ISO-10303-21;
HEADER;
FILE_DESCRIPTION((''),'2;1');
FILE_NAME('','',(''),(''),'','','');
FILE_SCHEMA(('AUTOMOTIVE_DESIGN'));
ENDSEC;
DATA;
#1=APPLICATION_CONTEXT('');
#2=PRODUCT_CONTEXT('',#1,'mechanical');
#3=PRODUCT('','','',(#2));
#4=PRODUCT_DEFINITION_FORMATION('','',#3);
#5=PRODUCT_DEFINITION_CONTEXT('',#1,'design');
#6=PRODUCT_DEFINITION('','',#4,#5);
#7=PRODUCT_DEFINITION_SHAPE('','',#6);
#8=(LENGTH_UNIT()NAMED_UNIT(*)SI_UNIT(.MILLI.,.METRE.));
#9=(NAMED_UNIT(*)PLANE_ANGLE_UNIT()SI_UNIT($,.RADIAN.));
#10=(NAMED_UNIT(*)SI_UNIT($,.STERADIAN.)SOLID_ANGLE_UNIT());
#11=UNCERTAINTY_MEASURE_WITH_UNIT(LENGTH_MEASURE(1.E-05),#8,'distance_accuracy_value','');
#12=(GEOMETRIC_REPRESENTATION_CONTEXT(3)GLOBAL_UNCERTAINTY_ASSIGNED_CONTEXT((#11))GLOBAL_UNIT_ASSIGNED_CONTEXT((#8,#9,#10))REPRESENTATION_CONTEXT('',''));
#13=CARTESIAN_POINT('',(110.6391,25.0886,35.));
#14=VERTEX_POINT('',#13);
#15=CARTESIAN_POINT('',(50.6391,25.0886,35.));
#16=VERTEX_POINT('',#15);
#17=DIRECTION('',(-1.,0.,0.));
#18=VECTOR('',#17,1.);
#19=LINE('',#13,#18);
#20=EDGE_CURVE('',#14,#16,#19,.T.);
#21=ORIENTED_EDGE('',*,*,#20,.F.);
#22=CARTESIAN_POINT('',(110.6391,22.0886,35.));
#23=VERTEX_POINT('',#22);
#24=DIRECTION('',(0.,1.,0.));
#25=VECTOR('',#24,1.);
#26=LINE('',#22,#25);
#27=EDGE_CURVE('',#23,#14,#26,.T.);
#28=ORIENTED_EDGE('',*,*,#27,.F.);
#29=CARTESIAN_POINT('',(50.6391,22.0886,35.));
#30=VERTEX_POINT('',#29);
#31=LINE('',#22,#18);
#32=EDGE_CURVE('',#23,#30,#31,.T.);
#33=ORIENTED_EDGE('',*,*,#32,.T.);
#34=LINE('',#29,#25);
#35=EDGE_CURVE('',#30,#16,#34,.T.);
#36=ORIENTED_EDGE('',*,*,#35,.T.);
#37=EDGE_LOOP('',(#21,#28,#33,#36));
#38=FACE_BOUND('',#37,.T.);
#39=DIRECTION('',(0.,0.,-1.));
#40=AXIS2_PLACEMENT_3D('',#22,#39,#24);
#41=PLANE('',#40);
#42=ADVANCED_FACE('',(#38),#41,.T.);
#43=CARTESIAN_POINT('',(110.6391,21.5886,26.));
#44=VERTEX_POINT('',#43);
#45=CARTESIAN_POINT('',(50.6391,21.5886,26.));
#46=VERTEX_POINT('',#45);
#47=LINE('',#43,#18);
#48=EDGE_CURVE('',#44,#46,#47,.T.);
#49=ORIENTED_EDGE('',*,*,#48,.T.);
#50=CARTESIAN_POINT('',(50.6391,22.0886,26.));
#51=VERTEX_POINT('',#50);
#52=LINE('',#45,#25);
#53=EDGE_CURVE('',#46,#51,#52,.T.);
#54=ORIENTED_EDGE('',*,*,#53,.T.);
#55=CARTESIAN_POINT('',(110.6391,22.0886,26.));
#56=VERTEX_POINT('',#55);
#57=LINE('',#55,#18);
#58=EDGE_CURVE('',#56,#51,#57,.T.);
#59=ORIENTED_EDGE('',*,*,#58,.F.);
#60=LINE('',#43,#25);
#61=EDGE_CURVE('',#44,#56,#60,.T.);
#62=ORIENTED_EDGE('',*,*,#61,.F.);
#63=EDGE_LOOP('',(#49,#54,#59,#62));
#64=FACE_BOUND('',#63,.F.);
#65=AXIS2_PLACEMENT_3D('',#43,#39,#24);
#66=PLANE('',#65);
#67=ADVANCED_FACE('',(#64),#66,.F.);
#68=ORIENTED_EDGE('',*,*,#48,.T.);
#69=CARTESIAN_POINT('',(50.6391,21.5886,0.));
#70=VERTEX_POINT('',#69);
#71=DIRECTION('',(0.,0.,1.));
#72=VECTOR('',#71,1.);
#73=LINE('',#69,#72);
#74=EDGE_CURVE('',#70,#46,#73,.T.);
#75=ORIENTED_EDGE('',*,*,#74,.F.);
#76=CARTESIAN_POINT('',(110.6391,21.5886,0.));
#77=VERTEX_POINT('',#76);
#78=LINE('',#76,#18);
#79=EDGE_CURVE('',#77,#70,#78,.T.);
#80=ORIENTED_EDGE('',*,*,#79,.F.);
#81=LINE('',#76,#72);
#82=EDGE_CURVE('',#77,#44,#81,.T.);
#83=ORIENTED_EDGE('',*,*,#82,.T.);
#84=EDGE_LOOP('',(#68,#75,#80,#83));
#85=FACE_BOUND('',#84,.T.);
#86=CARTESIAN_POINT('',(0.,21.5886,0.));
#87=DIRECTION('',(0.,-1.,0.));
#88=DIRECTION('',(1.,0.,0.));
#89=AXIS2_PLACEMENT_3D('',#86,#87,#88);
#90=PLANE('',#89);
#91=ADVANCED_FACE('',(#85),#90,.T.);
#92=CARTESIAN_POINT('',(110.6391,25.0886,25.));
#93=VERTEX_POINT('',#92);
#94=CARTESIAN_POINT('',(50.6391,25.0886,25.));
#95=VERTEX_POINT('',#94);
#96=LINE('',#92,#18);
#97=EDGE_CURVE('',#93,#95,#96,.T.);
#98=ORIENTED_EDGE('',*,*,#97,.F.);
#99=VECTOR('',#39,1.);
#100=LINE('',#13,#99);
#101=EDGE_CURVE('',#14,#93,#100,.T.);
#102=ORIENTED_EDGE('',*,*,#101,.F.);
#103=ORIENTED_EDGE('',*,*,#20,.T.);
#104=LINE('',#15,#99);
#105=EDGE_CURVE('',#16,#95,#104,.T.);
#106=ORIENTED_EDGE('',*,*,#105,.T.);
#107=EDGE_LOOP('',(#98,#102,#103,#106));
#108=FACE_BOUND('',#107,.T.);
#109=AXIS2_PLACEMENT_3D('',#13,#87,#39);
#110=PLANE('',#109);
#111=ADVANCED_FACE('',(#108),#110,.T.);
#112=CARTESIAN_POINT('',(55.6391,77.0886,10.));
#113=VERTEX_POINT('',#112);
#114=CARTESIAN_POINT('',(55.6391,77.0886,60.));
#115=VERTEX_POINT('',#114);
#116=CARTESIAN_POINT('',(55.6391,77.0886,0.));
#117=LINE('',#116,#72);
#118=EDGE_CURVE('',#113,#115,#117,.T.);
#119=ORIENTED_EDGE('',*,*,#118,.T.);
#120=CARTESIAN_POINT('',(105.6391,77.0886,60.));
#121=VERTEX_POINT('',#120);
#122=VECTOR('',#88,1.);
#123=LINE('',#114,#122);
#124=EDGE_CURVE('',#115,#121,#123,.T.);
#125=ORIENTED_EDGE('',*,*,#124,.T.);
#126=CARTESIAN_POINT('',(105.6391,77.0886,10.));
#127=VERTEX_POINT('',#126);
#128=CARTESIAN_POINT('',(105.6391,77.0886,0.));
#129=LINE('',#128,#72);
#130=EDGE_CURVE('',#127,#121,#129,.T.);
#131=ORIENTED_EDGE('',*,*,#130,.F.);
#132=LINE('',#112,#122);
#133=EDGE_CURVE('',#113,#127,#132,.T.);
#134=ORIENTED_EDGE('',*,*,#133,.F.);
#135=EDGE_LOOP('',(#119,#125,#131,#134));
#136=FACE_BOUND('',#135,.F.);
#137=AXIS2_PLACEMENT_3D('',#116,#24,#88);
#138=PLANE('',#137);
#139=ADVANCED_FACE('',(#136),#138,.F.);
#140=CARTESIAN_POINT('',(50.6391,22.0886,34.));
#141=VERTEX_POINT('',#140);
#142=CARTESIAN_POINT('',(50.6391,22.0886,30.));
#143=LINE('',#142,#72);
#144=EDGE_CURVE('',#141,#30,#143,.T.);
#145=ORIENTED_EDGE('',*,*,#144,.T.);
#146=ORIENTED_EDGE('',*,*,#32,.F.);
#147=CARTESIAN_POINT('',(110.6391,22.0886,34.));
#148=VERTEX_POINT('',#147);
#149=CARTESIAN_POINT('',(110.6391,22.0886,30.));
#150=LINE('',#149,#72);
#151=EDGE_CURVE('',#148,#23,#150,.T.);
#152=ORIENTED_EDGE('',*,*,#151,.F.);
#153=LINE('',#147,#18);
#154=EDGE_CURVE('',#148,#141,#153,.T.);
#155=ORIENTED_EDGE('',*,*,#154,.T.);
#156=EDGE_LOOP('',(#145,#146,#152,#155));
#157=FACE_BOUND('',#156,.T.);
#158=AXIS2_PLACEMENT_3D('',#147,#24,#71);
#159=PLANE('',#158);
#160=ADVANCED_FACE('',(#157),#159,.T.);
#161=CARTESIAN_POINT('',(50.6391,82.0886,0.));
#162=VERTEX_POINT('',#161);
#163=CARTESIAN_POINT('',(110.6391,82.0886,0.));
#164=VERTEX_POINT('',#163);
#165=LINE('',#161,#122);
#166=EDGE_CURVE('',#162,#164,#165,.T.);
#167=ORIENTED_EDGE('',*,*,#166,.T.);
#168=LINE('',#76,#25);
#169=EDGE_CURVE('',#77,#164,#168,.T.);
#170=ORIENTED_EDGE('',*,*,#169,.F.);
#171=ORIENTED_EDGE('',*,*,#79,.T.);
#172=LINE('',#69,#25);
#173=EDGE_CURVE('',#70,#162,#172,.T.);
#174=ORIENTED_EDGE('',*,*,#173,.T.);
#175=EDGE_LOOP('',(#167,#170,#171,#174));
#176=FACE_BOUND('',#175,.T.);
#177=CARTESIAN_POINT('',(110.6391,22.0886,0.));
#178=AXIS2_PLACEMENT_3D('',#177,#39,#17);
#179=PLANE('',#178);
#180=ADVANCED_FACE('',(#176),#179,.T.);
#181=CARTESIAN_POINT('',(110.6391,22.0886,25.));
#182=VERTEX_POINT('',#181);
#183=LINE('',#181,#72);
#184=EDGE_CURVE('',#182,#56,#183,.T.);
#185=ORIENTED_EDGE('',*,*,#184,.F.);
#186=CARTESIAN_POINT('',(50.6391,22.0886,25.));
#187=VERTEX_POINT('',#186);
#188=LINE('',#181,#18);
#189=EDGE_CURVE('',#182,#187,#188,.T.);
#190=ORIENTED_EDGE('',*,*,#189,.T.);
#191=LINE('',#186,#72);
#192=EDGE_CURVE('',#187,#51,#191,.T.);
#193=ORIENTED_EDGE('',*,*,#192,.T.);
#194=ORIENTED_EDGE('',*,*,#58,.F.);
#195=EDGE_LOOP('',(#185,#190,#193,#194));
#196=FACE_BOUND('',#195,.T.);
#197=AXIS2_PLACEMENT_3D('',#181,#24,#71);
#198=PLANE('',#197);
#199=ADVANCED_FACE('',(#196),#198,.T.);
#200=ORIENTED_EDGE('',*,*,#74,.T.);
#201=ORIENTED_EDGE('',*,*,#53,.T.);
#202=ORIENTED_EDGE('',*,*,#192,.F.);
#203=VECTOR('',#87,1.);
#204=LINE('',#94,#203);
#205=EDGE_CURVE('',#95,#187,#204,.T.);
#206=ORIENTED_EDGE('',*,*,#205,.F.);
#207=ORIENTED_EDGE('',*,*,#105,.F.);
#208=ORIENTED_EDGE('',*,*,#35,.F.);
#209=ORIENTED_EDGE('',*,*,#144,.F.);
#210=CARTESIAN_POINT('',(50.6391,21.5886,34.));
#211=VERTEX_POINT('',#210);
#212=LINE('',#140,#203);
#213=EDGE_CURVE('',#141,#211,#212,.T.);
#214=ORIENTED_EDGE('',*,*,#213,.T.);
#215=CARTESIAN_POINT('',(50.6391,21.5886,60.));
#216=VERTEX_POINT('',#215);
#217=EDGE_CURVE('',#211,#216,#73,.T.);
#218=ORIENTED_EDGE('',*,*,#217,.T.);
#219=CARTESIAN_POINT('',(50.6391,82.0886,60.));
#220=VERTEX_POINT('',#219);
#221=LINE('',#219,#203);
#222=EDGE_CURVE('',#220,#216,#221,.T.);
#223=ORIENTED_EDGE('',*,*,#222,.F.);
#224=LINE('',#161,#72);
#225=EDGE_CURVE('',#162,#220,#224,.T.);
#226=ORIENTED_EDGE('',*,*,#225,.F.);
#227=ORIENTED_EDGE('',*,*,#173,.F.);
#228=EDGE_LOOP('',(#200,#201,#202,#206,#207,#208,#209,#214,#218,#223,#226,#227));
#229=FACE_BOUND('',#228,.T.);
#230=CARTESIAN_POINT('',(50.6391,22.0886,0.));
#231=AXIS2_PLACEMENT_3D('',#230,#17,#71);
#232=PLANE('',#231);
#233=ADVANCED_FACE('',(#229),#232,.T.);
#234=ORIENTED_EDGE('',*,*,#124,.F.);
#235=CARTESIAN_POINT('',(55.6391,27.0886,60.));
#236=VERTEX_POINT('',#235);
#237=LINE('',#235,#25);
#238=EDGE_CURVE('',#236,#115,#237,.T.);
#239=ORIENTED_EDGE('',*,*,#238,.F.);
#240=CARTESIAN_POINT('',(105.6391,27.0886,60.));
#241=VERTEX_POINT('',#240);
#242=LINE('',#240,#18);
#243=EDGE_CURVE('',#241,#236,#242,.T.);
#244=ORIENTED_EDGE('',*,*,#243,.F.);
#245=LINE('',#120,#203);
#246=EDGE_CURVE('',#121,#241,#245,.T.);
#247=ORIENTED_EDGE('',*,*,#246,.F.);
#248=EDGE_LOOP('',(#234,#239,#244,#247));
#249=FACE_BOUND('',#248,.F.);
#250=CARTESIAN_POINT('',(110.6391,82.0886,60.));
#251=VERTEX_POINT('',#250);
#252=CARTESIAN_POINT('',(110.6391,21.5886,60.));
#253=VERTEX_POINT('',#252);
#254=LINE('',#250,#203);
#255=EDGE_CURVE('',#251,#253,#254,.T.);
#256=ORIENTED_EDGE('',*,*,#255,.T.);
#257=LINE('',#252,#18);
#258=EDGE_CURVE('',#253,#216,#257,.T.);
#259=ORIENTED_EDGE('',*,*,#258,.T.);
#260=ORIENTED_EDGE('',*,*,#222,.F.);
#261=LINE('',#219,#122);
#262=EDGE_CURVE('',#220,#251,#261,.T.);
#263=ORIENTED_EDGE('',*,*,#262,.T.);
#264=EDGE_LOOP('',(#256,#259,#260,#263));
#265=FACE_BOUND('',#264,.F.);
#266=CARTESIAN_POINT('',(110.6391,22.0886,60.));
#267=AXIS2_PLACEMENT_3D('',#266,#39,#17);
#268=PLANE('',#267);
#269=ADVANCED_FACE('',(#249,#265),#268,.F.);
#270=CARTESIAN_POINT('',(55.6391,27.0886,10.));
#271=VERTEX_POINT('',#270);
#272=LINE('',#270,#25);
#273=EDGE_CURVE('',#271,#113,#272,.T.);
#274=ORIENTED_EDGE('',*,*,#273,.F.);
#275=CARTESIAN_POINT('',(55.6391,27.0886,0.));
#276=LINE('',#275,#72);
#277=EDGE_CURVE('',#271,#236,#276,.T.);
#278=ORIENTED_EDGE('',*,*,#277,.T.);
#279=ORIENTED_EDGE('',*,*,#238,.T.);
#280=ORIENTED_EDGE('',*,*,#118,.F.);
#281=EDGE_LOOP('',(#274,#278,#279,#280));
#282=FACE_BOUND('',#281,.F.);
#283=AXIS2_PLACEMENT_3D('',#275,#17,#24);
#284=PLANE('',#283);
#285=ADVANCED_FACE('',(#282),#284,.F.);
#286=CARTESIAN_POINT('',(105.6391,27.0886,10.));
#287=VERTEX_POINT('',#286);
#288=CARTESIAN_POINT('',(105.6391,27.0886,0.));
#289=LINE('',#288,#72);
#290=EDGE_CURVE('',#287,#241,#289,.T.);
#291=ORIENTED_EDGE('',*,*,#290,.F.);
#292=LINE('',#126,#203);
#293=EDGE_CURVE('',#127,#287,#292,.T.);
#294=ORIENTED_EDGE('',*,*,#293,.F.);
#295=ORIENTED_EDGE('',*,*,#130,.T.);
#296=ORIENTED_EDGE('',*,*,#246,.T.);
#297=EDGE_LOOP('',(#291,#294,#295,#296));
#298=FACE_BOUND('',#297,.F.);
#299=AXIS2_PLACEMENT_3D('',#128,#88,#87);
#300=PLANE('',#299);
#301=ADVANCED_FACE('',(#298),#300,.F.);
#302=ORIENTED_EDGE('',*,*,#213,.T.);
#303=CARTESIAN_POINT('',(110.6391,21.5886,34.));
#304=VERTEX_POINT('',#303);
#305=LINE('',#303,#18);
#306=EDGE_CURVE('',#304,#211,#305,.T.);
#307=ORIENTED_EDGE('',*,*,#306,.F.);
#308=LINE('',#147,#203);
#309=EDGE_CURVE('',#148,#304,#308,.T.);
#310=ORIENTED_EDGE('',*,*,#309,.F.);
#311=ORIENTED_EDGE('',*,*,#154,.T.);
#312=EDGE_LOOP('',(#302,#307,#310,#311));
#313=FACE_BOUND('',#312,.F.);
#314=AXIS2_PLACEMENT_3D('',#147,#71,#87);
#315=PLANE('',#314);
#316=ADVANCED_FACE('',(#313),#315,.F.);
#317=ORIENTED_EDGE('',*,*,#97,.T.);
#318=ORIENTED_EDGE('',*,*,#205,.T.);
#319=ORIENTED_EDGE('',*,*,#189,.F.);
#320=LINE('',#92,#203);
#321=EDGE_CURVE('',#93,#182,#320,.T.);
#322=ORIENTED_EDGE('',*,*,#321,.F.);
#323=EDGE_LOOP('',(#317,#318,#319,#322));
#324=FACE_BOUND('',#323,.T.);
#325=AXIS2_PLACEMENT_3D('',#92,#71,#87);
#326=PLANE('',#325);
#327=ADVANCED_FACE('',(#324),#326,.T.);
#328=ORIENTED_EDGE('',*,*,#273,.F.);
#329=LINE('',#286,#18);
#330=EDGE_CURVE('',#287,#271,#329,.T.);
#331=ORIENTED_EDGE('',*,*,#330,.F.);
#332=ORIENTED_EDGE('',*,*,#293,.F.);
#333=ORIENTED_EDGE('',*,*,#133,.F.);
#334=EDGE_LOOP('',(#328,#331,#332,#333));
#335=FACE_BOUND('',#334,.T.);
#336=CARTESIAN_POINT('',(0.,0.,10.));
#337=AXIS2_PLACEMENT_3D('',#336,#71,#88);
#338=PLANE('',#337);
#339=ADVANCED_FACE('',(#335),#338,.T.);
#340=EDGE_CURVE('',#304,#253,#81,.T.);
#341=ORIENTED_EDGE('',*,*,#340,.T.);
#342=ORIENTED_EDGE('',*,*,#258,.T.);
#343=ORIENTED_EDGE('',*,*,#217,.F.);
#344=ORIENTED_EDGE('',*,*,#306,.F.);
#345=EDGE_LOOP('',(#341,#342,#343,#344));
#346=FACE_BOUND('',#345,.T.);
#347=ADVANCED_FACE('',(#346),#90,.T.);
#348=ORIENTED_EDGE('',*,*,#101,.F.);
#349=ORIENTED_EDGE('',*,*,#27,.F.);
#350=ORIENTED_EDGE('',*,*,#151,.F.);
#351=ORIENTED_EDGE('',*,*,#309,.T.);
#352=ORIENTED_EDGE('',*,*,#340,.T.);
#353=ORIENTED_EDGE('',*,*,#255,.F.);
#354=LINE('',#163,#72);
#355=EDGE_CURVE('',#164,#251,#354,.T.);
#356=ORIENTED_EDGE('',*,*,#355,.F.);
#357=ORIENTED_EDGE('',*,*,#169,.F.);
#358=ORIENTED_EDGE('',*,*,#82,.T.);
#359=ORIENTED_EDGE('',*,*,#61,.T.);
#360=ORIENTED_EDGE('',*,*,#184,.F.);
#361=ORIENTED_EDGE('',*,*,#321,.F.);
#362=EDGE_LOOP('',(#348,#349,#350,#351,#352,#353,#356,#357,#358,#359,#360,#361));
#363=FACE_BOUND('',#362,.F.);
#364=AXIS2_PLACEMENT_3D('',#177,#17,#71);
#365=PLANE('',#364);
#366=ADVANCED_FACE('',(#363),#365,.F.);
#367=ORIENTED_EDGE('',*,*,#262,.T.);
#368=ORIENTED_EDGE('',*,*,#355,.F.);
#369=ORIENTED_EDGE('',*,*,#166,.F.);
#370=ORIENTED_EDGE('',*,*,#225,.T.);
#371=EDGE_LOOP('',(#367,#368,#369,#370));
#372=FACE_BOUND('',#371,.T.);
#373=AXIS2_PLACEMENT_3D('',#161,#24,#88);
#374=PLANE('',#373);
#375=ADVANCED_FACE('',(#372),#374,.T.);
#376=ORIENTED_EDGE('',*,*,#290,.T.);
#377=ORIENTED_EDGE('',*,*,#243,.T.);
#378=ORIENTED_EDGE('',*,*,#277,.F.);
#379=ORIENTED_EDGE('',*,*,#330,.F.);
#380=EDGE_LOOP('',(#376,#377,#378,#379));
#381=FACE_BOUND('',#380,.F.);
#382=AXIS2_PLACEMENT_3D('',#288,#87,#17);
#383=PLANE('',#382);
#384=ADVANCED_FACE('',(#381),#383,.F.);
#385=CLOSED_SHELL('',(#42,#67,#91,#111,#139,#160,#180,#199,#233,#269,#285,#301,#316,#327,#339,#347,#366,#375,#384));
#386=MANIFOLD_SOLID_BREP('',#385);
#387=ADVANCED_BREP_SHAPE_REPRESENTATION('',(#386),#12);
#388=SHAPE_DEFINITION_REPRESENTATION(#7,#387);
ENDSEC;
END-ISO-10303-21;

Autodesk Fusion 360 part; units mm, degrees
sketch "Sketch1" plane through (0, 0, 0) normal (0, 0, 1) x (1, 0, 0)
  line L0 (50.6391, 82.0886) -> (110.6391, 82.0886)
  line L1 (110.6391, 82.0886) -> (110.6391, 22.0886)
  line L2 (110.6391, 22.0886) -> (50.6391, 22.0886)
  line L3 (50.6391, 22.0886) -> (50.6391, 82.0886)
  line L4 (55.6391, 77.0886) -> (105.6391, 77.0886)
  line L5 (105.6391, 77.0886) -> (105.6391, 27.0886)
  line L6 (105.6391, 27.0886) -> (55.6391, 27.0886)
  line L7 (55.6391, 27.0886) -> (55.6391, 77.0886)
  dimension "d1" = 60
  dimension "d2" = 60
  dimension "d5" = 50
  dimension "d6" = 50
extrude "Extrude1" add sketch "Sketch1" along normal blind 10 contours L4 L5 L6 L7
extrude "Extrude2" add sketch "Sketch1" along normal blind 60
sketch "Sketch2" plane through (0, 22.0886, 0) normal (0, -1, 0) x (1, 0, 0)
  line L0 (50.6391, 0) -> (110.6391, 0)
  line L1 (110.6391, 0) -> (110.6391, 60)
  line L2 (110.6391, 60) -> (50.6391, 60)
  line L3 (50.6391, 60) -> (50.6391, 0)
  line L4 (80.6391, 35) -> (75.6391, 35)
  line L5 (75.6391, 35) -> (85.6391, 35)
  line L6 (85.6391, 35) -> (85.6391, 25)
  line L7 (85.6391, 25) -> (75.6391, 25)
  line L8 (75.6391, 25) -> (75.6391, 35)
  dimension "d13" = 10
  dimension "d14" = 10
extrude "Extrude3" cut sketch "Sketch2" against normal blind 3.3 contours L4 L5 L6 L7 L8
extrude "Extrude4" add 1 faces at (78.9724, 25.3886, 31.6667) along direction (0, -1, 0) blind 3.3
sketch "Sketch3" plane through (0, 22.0886, 0) normal (0, -1, 0) x (1, 0, 0)
  line L0 (50.6391, 0) -> (110.6391, 0)
  line L1 (110.6391, 0) -> (110.6391, 60)
  line L2 (110.6391, 60) -> (50.6391, 60)
  line L3 (50.6391, 60) -> (50.6391, 0)
extrude "Extrude5" add 1 faces at (70.6391, 22.0886, 40) along direction (0, -1, 0) blind 0.5
sketch "Sketch4" plane through (110.6391, 0, 0) normal (1, 0, 0) x (0, 1, 0)
  line L0 (21.5886, 0) -> (82.0886, 0)
  line L1 (82.0886, 0) -> (82.0886, 60)
  line L2 (82.0886, 60) -> (21.5886, 60)
  line L3 (21.5886, 60) -> (21.5886, 0)
  line L4 (22.0886, 30) -> (22.0886, 35)
  line L5 (22.0886, 35) -> (25.0886, 35)
  line L6 (25.0886, 35) -> (25.0886, 25)
  line L7 (25.0886, 25) -> (22.0886, 25)
  line L8 (22.0886, 25) -> (22.0886, 35)
  line L9 (22.0886, 35) -> (22.0886, 34)
  line L10 (22.0886, 34) -> (21.5886, 34)
  line L11 (21.5886, 34) -> (21.5886, 26)
  line L12 (21.5886, 26) -> (22.0886, 26)
  line L13 (22.0886, 26) -> (22.0886, 34)
  dimension "d22" = 5
  dimension "d23" = 3
  dimension "d24" = 10
  dimension "d25" = 1
  dimension "d26" = 8
extrude "Extrude6" cut sketch "Sketch4" against normal blind 60 contours L3 L4 L8 L10 L11 L12 L13 | L4 L5 L6 L7 L8 L9 L13
